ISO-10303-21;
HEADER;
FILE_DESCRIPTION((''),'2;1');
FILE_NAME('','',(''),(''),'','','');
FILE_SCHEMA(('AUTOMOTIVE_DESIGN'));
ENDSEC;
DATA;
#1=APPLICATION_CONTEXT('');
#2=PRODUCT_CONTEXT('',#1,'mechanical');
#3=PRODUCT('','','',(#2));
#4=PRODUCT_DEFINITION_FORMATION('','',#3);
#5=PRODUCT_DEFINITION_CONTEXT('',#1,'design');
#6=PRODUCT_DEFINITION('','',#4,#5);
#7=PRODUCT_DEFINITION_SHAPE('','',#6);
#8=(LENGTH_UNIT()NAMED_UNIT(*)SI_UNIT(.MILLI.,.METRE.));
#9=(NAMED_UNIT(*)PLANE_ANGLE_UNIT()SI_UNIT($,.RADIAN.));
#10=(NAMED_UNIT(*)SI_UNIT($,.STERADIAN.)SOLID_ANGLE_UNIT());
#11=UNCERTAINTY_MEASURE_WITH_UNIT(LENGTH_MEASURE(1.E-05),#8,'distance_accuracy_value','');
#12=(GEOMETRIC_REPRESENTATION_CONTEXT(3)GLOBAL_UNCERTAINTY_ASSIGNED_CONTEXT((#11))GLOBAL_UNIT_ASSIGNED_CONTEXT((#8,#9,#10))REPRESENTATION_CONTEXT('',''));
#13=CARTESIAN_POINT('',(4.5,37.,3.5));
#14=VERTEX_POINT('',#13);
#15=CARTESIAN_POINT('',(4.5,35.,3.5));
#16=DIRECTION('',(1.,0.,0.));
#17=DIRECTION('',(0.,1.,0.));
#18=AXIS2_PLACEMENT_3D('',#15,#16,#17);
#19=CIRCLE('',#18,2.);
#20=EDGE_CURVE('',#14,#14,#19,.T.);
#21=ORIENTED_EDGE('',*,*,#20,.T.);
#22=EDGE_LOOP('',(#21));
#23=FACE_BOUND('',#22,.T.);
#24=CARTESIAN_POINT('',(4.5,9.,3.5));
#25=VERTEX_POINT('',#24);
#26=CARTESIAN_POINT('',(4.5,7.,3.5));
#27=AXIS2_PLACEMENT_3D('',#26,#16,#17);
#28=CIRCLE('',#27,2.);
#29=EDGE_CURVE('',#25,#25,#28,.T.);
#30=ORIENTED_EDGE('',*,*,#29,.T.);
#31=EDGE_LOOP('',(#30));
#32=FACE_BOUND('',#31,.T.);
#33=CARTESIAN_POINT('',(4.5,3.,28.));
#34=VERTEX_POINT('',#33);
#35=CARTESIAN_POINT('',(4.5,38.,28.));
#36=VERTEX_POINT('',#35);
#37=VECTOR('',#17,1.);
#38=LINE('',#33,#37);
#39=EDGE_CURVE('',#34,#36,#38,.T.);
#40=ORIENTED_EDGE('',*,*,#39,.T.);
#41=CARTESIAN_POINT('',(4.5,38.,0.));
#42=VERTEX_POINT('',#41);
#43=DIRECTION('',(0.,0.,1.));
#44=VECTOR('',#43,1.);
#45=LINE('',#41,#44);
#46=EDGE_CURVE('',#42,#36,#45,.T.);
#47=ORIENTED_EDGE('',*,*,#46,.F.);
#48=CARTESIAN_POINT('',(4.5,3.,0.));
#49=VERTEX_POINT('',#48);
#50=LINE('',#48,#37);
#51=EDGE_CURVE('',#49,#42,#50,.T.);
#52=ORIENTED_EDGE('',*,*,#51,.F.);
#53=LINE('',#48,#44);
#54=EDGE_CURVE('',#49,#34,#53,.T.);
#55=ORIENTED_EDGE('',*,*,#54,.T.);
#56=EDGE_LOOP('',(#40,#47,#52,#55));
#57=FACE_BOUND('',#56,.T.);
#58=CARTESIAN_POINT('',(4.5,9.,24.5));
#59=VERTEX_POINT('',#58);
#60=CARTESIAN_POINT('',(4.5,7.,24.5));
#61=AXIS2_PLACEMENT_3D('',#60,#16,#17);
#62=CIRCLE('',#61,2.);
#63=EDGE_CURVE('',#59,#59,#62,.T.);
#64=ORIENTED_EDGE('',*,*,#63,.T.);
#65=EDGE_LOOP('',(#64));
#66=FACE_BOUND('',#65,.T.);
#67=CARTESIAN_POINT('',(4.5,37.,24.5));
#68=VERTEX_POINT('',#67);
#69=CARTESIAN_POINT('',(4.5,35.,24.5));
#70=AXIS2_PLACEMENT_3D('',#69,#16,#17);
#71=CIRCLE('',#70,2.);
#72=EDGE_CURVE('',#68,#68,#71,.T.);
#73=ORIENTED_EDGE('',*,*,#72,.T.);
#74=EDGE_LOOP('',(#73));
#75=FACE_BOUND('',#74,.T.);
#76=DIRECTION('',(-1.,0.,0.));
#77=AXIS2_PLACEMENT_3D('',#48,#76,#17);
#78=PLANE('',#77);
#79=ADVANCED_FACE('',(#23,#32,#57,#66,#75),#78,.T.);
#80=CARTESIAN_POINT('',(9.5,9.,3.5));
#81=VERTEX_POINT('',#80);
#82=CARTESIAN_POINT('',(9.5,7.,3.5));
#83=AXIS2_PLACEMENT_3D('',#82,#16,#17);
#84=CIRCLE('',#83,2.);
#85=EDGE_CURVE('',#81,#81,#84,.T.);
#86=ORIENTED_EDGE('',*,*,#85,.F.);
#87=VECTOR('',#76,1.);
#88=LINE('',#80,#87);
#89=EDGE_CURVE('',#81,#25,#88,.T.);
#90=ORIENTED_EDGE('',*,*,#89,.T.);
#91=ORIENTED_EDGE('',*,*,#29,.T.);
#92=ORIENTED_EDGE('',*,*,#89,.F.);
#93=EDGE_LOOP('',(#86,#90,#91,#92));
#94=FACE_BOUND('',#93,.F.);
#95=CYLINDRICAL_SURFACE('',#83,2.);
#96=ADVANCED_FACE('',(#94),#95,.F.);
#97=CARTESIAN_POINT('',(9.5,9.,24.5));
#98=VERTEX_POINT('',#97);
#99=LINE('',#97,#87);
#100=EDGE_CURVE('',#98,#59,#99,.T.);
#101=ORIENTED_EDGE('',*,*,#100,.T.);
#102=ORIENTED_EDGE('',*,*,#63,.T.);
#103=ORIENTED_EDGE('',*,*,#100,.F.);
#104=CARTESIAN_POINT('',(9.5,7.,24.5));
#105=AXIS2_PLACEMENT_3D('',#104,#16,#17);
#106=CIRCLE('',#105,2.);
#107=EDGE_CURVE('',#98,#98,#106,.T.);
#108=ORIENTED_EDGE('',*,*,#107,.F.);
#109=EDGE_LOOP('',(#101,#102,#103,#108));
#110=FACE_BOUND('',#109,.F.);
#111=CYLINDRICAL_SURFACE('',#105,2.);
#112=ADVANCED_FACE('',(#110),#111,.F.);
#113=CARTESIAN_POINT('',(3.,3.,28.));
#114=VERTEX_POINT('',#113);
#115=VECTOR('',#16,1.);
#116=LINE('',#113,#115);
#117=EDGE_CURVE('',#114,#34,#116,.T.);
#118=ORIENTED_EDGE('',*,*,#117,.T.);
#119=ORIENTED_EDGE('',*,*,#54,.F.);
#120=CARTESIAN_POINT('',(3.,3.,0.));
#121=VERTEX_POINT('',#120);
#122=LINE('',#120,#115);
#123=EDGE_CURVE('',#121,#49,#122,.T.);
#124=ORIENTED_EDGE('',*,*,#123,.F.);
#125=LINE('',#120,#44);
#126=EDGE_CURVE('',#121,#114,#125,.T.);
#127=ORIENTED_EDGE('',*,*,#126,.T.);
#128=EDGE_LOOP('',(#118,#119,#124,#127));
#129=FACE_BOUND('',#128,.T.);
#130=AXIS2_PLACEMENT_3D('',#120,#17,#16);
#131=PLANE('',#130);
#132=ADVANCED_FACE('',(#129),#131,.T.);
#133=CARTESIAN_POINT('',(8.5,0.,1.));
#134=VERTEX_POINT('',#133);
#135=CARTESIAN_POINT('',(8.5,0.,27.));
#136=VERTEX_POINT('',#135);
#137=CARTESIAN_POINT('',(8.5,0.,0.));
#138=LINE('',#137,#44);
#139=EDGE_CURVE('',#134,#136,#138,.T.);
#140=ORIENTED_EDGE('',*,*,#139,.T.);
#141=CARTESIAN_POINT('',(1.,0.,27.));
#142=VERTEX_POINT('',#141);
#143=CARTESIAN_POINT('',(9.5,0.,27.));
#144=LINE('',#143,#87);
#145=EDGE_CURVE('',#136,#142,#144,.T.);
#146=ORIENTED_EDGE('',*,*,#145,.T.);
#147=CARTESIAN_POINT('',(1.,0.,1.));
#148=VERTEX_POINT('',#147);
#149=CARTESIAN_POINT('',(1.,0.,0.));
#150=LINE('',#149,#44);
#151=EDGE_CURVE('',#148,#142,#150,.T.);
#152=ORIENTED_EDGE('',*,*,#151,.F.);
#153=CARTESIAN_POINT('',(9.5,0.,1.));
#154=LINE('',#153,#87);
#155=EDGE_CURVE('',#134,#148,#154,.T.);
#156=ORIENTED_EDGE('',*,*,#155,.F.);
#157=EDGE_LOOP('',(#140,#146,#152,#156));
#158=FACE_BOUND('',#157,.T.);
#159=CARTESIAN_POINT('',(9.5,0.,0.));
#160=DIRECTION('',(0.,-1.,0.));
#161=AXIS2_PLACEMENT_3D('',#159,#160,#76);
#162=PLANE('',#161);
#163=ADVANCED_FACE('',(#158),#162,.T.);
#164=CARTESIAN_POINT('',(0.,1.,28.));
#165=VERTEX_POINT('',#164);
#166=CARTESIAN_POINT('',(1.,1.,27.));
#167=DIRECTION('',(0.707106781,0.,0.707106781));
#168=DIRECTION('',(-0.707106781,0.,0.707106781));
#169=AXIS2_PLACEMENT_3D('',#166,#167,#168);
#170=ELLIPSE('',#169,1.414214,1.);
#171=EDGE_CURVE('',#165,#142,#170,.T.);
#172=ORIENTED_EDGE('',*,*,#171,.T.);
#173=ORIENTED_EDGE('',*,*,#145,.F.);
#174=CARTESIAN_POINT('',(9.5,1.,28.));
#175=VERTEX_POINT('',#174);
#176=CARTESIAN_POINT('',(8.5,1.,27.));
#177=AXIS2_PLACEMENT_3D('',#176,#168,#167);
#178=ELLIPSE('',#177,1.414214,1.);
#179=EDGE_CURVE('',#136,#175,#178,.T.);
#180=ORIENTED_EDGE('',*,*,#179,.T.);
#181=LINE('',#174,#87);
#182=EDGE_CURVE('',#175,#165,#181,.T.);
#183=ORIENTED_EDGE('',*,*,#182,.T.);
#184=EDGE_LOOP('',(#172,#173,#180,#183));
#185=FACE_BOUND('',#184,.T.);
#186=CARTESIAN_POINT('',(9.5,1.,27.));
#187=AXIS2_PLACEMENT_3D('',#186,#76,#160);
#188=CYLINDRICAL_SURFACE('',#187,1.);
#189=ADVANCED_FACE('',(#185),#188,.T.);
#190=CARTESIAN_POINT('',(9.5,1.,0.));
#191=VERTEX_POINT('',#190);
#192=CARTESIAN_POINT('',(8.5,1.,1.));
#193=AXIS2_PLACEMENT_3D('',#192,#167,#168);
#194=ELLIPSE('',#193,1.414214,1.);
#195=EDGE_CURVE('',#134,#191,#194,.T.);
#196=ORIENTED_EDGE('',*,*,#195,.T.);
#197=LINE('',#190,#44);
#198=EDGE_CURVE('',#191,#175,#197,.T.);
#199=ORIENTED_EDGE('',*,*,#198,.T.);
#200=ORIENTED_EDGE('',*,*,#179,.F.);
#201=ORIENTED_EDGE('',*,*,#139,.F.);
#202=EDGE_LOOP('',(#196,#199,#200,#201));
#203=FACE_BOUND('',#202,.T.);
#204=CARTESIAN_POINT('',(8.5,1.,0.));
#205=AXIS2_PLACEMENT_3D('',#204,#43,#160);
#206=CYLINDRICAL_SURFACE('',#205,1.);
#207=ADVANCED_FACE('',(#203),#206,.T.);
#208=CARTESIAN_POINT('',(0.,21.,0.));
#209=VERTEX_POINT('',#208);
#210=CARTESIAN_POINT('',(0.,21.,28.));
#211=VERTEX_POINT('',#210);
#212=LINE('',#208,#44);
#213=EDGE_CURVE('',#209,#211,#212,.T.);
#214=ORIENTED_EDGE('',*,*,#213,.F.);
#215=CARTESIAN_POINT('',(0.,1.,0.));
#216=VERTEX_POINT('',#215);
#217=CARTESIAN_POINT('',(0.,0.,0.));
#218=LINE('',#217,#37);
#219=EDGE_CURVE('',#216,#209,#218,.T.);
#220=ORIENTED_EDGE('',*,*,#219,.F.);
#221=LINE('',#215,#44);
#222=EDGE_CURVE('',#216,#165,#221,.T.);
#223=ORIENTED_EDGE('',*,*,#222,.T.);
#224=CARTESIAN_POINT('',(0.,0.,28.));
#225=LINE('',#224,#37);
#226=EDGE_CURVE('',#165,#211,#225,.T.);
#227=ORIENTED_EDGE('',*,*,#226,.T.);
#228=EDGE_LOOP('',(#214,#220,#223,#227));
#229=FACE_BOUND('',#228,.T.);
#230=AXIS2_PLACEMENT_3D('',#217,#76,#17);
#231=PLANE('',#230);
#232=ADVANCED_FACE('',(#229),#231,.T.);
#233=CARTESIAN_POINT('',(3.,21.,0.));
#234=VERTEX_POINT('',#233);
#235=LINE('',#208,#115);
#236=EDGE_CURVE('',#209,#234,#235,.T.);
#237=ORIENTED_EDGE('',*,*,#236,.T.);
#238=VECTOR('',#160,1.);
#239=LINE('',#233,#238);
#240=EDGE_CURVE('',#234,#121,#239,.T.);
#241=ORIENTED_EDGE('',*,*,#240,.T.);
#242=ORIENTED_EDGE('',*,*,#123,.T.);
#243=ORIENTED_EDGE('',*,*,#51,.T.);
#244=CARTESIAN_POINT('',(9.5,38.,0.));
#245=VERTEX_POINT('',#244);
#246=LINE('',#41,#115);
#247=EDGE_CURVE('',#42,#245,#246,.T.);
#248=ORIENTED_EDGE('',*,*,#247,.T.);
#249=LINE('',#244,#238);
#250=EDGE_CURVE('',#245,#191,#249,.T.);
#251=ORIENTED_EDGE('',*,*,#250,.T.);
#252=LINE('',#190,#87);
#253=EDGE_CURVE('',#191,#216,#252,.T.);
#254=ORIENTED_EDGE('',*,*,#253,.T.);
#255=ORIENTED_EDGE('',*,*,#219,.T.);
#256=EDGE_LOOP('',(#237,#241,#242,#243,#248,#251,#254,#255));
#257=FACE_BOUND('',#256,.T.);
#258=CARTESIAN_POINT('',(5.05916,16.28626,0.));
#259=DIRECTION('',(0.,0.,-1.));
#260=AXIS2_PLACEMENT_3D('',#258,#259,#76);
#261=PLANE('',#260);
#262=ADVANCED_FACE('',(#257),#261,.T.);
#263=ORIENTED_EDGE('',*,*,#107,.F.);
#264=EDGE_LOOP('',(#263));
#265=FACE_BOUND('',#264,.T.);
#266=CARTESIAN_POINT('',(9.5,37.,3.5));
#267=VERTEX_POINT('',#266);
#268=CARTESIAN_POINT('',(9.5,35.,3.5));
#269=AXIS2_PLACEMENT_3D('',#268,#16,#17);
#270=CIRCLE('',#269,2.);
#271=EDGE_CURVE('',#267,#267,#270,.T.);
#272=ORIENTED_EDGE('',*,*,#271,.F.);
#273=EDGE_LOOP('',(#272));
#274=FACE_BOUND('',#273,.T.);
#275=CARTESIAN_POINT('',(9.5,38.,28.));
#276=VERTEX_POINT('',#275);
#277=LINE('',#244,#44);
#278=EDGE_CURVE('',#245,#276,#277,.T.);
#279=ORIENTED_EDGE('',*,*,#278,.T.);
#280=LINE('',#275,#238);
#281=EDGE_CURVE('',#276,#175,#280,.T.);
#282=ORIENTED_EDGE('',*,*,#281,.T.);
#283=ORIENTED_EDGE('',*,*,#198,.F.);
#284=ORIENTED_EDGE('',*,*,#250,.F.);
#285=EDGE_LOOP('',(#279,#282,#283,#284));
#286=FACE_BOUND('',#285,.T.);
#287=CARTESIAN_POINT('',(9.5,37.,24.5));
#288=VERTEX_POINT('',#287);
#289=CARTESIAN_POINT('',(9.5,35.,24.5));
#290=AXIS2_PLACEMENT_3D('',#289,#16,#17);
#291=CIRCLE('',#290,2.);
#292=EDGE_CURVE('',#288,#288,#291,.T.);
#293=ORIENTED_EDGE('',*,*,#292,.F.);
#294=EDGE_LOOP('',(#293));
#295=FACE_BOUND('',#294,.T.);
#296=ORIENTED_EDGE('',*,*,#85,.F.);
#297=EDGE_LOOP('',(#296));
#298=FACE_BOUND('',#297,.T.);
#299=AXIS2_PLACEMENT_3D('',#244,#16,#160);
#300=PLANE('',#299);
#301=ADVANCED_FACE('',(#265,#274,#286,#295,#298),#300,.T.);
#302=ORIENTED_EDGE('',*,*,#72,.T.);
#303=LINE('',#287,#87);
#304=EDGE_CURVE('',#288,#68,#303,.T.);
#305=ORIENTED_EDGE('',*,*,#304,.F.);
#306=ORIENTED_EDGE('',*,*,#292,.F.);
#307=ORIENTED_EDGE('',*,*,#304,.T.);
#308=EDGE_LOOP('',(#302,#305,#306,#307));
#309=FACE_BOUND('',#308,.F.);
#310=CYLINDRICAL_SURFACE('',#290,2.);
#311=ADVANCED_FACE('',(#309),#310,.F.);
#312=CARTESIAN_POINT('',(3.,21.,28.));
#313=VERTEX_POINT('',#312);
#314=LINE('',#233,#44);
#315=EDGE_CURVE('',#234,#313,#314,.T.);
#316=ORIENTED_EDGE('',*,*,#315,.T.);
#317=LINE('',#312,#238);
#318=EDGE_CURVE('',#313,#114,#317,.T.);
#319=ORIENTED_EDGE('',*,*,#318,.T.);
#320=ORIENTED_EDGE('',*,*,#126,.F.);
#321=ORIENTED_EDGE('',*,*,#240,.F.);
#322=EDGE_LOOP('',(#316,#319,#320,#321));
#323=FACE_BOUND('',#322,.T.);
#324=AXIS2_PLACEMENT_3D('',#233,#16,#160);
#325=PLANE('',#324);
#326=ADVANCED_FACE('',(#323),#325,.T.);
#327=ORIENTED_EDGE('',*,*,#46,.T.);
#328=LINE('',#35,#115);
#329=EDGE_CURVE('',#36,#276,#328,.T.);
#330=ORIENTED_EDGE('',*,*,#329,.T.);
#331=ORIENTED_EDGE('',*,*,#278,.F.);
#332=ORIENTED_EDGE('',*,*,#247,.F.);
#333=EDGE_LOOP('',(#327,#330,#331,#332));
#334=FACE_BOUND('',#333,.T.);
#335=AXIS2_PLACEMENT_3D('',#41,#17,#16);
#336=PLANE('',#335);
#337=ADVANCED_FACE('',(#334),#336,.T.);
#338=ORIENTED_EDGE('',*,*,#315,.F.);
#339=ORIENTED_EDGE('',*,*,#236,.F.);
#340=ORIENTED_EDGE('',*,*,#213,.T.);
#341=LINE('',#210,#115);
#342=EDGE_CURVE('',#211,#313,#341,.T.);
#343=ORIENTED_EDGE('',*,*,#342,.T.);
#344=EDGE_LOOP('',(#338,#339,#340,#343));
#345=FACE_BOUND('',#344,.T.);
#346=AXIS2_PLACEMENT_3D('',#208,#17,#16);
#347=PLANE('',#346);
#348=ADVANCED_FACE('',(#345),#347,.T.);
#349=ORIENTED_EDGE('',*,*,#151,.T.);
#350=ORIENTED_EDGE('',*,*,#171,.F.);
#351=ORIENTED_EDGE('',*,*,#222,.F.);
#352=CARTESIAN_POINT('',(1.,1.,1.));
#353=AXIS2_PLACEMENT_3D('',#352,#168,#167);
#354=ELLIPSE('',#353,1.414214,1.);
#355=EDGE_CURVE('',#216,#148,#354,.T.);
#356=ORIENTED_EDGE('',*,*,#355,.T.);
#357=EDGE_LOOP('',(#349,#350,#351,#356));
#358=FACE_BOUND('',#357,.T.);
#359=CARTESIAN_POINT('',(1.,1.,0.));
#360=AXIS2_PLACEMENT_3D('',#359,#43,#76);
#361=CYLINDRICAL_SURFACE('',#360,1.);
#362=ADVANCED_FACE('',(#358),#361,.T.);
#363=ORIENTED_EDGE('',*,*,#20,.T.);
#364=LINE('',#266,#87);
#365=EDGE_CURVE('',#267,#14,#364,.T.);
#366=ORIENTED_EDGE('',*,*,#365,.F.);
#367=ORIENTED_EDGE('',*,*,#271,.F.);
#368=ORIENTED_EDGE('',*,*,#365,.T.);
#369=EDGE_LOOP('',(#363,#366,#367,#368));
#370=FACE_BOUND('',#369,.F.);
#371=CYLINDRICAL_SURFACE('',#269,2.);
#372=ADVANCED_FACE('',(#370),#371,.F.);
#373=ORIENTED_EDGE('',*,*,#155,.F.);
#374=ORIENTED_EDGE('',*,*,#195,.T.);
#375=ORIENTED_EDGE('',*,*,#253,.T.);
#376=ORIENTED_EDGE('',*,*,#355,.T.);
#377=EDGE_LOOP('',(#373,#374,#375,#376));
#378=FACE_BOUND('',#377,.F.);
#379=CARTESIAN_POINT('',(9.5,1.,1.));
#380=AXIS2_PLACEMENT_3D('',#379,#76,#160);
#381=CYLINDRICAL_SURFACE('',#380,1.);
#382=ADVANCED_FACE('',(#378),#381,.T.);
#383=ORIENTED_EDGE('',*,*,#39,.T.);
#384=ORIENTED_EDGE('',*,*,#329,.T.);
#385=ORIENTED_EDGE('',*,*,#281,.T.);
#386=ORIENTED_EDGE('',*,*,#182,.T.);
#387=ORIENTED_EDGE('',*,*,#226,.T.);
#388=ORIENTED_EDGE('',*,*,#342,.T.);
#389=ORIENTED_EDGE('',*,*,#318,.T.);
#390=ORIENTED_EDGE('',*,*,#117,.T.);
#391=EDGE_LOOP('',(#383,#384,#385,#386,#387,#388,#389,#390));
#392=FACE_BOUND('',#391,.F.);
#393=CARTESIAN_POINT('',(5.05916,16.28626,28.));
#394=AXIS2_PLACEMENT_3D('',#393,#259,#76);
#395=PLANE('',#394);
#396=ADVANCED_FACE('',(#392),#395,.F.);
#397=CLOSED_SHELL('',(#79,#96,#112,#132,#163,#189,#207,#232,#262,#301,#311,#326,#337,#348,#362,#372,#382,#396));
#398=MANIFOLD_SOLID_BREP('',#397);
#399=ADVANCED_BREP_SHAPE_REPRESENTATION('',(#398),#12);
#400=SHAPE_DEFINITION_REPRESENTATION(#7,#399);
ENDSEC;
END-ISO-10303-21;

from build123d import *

# Parameters (mm, degrees)
PAD_DEPTH    = 28
SKETCH001_R  = 2
POCKET_DEPTH = 5
FILLET_R     = 1


with BuildPart() as part:
    # Sketch → Pad (new body)
    with BuildSketch(Plane.XY):
        Polygon((0, 0), (0, 21), (3, 21), (3, 3), (4.5, 3), (4.5, 38), (9.5, 38), (9.5, 0), align=None)
    extrude(amount=PAD_DEPTH)

    # Sketch001 (on Face7 of Pad) → Pocket (cut)
    with BuildSketch(Plane.YZ.offset(9.5)):
        with Locations((7, 24.5)):
            Circle(SKETCH001_R)
        with Locations((35, 24.5)):
            Circle(SKETCH001_R)
        with Locations((7, 3.5)):
            Circle(SKETCH001_R)
        with Locations((35, 3.5)):
            Circle(SKETCH001_R)
    extrude(amount=-POCKET_DEPTH, mode=Mode.SUBTRACT)

    # Fillet
    fillet_edges = [part.edges().sort_by_distance(p)[0] for p in [
        (9.5, 0, 14),
        (0, 0, 14),
        (4.75, 0, 0),
        (4.75, 0, 28),
    ]]
    fillet(fillet_edges, radius=FILLET_R)


solid = part.part
